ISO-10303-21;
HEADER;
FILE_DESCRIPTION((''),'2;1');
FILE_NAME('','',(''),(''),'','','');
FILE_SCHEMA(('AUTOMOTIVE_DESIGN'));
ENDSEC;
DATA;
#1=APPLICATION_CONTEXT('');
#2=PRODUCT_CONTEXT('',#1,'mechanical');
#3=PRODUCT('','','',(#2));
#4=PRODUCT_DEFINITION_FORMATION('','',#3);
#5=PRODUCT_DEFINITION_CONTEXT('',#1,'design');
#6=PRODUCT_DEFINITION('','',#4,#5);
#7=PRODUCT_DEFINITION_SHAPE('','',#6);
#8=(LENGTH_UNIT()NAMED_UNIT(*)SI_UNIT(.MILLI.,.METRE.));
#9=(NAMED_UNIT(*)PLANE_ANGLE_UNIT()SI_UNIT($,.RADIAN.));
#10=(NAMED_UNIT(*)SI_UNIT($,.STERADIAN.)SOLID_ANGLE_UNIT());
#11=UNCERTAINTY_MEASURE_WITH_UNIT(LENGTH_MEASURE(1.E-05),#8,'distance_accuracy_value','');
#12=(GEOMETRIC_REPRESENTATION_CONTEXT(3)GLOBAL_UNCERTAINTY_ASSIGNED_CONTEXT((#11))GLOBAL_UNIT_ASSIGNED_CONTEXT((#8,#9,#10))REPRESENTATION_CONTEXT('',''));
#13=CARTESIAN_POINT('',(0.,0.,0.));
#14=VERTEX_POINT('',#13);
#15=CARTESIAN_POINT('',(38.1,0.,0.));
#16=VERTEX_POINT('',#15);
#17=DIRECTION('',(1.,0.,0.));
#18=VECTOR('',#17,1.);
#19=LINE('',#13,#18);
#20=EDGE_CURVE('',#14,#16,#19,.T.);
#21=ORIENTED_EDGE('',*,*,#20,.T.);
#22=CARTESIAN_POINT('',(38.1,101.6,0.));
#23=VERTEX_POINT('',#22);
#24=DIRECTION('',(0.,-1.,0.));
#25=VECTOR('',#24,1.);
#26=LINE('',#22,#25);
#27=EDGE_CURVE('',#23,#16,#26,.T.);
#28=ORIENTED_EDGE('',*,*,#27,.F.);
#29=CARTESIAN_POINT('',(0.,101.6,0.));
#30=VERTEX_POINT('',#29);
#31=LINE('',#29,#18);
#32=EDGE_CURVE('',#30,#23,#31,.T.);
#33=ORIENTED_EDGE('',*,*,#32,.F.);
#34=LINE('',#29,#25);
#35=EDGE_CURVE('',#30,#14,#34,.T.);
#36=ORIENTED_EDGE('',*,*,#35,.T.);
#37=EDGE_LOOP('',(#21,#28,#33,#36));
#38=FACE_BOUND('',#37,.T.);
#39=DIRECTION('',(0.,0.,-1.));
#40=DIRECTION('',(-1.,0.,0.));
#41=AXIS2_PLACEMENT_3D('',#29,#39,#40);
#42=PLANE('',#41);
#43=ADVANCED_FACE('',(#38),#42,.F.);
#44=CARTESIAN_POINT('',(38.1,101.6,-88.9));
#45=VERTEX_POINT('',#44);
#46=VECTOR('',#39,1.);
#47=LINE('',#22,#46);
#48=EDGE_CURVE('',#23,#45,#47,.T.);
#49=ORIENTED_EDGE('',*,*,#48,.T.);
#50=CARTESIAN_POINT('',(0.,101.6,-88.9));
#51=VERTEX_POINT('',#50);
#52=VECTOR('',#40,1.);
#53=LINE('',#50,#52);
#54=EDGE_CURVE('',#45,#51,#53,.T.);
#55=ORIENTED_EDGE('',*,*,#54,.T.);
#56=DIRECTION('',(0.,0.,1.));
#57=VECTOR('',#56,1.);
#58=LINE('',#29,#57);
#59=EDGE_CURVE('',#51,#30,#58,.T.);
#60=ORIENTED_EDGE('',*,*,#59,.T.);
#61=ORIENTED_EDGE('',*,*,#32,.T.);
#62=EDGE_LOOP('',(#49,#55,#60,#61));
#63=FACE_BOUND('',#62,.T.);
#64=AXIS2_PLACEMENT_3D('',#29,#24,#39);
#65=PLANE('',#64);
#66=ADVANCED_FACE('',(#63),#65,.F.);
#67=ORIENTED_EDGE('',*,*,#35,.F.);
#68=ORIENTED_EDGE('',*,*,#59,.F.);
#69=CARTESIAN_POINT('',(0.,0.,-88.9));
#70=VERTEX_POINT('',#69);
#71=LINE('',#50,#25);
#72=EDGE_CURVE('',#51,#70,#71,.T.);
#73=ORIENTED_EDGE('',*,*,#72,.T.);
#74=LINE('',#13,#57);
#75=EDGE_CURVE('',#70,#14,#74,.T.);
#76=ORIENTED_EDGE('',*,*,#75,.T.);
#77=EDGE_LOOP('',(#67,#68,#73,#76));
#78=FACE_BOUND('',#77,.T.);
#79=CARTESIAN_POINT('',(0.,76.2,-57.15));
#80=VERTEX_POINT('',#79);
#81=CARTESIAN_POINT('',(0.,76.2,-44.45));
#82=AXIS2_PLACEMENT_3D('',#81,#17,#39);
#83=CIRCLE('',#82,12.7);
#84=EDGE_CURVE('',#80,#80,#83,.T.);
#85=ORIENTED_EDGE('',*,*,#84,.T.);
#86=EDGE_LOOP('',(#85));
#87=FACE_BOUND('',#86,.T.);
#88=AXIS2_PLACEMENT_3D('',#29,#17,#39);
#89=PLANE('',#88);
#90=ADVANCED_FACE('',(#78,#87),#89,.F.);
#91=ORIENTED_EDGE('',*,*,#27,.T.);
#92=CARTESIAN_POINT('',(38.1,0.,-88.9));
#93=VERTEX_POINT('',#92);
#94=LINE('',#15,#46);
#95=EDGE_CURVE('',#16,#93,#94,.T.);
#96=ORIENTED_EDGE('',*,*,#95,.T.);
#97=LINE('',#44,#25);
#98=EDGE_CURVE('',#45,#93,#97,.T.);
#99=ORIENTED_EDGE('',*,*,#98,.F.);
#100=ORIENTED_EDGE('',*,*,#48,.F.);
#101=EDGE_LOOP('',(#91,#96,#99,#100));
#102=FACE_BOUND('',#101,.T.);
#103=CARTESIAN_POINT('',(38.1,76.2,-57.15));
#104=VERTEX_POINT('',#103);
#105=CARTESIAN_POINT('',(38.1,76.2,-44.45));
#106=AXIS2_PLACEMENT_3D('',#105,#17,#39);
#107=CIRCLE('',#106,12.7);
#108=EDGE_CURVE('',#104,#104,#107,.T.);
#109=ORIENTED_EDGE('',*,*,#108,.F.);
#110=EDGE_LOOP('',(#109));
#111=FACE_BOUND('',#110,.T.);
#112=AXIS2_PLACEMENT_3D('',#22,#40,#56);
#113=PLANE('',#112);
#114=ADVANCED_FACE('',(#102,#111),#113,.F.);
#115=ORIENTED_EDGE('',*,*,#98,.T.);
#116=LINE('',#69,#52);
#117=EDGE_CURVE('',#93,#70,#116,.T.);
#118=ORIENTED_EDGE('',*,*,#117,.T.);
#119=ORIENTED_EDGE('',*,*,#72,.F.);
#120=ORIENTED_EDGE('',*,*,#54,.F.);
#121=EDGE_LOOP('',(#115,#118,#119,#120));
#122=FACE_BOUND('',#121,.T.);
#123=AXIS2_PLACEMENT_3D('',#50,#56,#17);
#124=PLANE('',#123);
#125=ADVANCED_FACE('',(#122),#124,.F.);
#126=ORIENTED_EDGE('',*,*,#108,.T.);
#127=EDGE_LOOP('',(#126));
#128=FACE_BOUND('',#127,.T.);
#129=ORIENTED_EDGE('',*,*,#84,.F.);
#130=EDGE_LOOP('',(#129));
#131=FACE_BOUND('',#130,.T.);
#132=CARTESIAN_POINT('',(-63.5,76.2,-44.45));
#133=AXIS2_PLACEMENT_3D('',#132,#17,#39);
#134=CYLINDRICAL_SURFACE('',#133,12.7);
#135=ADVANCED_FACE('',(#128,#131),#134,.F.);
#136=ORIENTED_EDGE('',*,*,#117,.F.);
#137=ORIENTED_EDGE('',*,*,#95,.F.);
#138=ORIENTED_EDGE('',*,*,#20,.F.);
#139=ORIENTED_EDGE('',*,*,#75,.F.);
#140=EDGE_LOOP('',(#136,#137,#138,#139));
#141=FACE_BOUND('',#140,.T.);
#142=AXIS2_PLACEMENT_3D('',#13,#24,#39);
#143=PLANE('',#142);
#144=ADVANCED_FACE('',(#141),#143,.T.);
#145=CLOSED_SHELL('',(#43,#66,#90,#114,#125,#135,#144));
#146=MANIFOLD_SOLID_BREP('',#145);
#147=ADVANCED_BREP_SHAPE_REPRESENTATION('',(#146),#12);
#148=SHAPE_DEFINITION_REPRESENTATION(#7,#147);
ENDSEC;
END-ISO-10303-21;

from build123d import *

# Parameters (mm, degrees)
SKETCH1_W           = 38.1
SKETCH1_H           = 88.9
BOSS_EXTRUDE1_DEPTH = 101.6
SKETCH2_R           = 12.7
CUT_EXTRUDE1_DEPTH  = 101.6


with BuildPart() as part:
    # Sketch1 → Boss-Extrude1 (new body)
    with BuildSketch(Plane(origin=(0, 0, 0), x_dir=(1, 0, 0), z_dir=(0, 1, 0))):
        with Locations((19.05, 44.45)):
            Rectangle(SKETCH1_W, SKETCH1_H)
    extrude(amount=BOSS_EXTRUDE1_DEPTH)

    # Sketch2 → Cut-Extrude1 (cut)
    with BuildSketch(Plane(origin=(38.1, 0, 0), x_dir=(0, 0, -1), z_dir=(1, 0, 0))):
        with Locations((44.45, 76.2)):
            Circle(SKETCH2_R)
    extrude(amount=-CUT_EXTRUDE1_DEPTH, mode=Mode.SUBTRACT)


solid = part.part
